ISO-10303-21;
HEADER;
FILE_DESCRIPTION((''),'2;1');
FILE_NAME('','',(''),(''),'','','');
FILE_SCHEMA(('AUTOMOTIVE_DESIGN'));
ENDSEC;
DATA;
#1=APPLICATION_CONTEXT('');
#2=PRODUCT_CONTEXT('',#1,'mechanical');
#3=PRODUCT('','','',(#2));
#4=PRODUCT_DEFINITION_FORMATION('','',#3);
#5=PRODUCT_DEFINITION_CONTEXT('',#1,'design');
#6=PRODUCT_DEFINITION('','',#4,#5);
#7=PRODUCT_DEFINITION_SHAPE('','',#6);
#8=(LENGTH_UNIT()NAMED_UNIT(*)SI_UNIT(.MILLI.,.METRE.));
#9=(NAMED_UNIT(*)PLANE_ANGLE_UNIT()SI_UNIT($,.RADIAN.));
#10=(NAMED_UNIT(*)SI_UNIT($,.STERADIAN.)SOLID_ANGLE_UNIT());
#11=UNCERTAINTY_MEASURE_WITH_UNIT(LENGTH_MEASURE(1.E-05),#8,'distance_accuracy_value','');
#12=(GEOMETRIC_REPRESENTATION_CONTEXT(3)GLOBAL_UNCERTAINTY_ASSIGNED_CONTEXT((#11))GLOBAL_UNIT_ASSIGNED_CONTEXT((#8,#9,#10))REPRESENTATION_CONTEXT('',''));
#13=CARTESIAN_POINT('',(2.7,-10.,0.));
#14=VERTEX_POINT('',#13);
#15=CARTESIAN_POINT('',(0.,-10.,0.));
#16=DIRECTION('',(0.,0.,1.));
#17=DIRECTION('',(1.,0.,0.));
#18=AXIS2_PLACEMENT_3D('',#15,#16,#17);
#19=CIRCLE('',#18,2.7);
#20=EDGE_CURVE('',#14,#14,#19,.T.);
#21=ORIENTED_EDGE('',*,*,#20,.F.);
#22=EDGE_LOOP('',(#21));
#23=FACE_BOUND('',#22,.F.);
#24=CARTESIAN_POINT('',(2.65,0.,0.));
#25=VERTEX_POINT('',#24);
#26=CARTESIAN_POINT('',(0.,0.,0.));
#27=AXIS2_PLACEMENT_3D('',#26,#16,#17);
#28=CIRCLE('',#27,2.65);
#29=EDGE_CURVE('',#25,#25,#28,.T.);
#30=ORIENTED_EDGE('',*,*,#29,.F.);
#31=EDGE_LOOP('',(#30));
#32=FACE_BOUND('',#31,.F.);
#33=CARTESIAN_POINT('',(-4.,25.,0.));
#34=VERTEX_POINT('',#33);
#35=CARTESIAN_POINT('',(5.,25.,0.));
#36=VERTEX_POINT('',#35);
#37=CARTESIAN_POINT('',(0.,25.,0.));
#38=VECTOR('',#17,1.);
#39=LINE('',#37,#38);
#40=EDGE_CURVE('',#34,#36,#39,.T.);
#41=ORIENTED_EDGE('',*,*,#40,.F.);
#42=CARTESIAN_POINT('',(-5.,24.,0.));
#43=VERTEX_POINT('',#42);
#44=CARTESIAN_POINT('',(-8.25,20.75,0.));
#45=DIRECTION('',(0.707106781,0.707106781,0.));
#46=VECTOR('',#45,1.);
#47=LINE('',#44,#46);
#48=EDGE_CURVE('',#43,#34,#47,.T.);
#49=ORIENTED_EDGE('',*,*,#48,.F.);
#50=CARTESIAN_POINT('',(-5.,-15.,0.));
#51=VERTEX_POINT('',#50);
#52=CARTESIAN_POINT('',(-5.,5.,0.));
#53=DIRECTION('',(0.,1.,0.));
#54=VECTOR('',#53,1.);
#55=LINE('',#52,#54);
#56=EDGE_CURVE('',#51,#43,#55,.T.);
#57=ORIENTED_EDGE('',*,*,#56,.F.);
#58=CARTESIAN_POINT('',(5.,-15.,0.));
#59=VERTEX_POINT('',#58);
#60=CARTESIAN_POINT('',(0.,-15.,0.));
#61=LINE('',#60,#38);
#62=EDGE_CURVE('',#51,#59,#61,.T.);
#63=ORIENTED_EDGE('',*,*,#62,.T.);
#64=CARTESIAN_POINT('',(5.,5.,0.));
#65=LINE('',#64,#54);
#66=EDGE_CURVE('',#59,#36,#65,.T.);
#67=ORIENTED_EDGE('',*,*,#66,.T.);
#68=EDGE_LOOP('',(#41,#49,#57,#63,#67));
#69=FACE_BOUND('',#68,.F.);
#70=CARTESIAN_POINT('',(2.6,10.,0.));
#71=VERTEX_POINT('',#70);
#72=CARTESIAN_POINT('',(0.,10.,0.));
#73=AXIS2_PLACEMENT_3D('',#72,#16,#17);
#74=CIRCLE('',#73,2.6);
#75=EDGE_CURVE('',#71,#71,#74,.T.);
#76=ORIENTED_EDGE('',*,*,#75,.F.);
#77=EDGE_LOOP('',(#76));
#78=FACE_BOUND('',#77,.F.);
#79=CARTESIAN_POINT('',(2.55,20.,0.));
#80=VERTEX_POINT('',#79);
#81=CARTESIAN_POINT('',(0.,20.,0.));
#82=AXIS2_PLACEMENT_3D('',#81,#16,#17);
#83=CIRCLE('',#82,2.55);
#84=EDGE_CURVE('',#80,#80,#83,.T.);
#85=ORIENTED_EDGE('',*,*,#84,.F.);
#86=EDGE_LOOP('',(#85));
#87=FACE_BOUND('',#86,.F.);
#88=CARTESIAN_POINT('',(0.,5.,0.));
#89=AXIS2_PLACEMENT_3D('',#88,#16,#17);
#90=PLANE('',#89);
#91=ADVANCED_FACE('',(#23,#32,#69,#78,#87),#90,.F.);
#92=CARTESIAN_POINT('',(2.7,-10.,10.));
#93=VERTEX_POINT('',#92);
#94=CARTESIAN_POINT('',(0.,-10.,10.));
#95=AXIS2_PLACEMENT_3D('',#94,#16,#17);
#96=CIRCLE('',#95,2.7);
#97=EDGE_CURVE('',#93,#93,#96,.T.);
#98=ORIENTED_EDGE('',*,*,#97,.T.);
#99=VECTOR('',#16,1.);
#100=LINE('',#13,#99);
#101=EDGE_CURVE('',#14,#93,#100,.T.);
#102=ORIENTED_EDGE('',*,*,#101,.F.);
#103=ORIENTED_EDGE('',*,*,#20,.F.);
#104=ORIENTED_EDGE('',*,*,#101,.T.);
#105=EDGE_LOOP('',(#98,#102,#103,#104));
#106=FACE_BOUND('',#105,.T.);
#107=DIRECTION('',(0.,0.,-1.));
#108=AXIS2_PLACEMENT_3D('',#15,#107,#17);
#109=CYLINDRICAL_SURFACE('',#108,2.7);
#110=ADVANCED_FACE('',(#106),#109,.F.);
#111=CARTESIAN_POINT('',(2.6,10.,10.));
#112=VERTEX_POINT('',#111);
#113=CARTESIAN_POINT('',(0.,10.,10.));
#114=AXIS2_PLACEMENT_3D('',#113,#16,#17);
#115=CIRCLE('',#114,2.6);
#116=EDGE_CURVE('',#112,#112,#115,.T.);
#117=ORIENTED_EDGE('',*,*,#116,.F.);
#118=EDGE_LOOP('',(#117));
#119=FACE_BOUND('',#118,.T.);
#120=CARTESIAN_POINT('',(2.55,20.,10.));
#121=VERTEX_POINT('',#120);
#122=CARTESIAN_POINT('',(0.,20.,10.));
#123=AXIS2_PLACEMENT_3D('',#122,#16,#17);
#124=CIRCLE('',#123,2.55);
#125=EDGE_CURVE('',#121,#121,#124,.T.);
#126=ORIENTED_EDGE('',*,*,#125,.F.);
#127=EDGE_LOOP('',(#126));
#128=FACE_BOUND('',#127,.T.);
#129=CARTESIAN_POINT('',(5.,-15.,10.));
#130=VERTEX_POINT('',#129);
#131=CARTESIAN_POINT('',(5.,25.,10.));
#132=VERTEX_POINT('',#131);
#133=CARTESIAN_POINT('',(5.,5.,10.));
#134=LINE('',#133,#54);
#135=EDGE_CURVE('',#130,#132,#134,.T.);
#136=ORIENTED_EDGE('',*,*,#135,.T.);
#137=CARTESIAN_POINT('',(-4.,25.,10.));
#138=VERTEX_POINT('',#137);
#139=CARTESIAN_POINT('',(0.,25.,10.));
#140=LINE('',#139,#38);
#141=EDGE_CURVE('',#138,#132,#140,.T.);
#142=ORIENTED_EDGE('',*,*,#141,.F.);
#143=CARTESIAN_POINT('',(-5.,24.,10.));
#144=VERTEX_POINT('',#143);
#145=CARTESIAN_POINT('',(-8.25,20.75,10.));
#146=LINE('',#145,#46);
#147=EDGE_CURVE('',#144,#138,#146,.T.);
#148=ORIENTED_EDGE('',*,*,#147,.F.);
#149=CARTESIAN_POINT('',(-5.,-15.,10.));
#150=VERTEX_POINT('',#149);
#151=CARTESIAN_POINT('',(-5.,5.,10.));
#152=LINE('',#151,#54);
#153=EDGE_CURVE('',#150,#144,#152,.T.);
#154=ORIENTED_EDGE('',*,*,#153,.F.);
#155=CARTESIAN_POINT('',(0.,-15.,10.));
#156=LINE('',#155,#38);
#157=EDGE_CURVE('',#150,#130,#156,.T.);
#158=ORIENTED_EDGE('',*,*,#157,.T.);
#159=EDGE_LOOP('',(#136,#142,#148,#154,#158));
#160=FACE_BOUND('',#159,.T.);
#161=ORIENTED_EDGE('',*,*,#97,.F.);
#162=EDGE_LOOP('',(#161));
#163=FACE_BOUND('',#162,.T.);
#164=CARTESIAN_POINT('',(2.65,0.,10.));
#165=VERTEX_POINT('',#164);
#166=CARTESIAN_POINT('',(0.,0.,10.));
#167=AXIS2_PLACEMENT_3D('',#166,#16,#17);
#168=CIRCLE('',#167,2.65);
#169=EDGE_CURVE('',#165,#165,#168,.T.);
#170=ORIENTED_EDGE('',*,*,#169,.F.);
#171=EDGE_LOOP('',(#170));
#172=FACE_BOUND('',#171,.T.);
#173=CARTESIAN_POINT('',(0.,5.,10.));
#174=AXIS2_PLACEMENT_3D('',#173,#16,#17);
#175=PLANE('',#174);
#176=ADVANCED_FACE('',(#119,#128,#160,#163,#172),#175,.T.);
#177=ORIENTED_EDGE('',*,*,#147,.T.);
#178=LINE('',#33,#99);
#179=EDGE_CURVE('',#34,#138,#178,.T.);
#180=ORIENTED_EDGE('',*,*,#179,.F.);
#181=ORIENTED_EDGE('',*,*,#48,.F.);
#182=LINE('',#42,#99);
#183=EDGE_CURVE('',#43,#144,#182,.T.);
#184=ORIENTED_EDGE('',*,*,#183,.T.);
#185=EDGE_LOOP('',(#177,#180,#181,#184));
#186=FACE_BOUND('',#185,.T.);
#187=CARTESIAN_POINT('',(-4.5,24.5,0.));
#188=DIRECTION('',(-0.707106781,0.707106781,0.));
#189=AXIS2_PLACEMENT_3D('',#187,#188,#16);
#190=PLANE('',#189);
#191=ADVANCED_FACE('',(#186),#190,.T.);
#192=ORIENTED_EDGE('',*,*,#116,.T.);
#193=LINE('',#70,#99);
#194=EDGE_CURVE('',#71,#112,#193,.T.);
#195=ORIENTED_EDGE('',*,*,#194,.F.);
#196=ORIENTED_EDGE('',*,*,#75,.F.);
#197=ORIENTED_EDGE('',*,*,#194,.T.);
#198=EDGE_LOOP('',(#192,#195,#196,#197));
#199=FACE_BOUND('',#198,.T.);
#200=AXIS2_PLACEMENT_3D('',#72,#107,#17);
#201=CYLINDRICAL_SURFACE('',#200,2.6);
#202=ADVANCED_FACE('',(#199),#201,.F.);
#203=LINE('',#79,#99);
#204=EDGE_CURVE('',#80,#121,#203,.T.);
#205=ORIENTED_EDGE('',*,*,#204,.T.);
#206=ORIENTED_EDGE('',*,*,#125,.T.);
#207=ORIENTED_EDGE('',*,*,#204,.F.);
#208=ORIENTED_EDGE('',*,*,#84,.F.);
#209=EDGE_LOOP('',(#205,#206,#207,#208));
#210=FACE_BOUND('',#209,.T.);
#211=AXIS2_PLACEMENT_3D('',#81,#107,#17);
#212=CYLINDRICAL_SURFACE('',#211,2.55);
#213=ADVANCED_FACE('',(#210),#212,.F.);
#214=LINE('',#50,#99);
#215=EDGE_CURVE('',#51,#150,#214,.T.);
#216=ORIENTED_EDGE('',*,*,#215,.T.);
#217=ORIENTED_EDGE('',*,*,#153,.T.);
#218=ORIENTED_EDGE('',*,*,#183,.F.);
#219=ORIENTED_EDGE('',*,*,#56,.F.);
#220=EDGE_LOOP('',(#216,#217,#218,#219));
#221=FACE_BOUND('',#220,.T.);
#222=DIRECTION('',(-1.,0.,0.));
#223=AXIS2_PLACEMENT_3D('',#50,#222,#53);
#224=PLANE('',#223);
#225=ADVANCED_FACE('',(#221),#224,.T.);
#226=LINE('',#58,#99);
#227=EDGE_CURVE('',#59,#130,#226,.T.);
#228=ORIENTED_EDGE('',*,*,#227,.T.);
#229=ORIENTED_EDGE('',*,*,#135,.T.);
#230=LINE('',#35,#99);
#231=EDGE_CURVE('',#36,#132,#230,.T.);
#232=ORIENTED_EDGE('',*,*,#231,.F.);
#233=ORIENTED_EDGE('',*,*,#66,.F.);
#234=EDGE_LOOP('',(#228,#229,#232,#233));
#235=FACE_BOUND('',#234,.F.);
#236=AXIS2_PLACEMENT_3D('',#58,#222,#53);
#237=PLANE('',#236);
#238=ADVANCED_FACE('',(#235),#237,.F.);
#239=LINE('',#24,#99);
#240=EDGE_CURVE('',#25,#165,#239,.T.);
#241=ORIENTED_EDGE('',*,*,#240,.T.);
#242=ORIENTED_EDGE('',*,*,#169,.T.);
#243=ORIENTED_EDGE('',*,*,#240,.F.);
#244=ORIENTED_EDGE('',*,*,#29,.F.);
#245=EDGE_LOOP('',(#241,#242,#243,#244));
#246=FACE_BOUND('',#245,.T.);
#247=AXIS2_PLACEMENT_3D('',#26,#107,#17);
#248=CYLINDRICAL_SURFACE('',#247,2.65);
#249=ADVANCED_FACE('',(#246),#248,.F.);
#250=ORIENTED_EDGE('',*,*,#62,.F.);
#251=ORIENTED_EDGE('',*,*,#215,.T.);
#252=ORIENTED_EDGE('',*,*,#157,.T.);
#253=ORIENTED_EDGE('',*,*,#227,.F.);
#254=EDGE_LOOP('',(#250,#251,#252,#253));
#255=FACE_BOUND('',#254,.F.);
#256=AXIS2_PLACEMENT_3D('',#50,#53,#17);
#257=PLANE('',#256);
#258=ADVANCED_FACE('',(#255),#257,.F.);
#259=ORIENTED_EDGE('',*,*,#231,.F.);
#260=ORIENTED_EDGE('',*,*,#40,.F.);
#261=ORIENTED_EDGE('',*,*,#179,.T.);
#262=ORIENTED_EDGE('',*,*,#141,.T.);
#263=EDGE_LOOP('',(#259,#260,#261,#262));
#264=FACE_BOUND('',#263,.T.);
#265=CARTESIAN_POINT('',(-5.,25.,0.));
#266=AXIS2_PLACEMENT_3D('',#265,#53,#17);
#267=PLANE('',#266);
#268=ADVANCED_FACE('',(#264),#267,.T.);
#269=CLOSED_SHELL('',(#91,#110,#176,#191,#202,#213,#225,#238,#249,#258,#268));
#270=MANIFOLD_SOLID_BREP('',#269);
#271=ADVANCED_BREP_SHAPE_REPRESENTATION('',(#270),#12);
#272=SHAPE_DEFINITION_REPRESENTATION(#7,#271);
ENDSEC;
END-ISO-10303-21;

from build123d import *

# Parameters (mm, degrees)
CYLINDER047_R     = 2.6
CYLINDER047_DEPTH = 10
CYLINDER049_R     = 2.7
CYLINDER049_DEPTH = 10
CYLINDER048_R     = 2.65
CYLINDER048_DEPTH = 10
CYLINDER050_R     = 2.55
CYLINDER050_DEPTH = 10
BOX023_W          = 10
BOX023_H          = 40
BOX023_DEPTH      = 10
CHAMFER029_SIZE   = 1


with BuildPart() as cylinder047:
    # Cylinder047 → Cylinder047 (new body)
    with BuildSketch(Plane(origin=(0, 10, 0), x_dir=(1, 0, 0), z_dir=(0, 0, 1))):
        Circle(CYLINDER047_R)
    extrude(amount=CYLINDER047_DEPTH)


with BuildPart() as cylinder049:
    # Cylinder049 → Cylinder049 (new body)
    with BuildSketch(Plane(origin=(0, -10, 0), x_dir=(1, 0, 0), z_dir=(0, 0, 1))):
        Circle(CYLINDER049_R)
    extrude(amount=CYLINDER049_DEPTH)


with BuildPart() as cylinder048:
    # Cylinder048 → Cylinder048 (new body)
    with BuildSketch(Plane.XY):
        Circle(CYLINDER048_R)
    extrude(amount=CYLINDER048_DEPTH)


with BuildPart() as fusion020:
    # Cylinder050 → Cylinder050 (new body)
    with BuildSketch(Plane(origin=(0, 20, 0), x_dir=(1, 0, 0), z_dir=(0, 0, 1))):
        Circle(CYLINDER050_R)
    extrude(amount=CYLINDER050_DEPTH)

    # Fusion020: union Cylinder047, Cylinder049, Cylinder048
    add(cylinder047.part)
    add(cylinder049.part)
    add(cylinder048.part)


with BuildPart() as cut038:
    # Box023 → Box023 (new body)
    with BuildSketch(Plane(origin=(-5, -15, 0), x_dir=(1, 0, 0), z_dir=(0, 0, 1))):
        with Locations((5, 20)):
            Rectangle(BOX023_W, BOX023_H)
    extrude(amount=BOX023_DEPTH)

    # Chamfer029
    chamfer029_edges = [cut038.edges().sort_by_distance(p)[0] for p in [
        (-5, 25, 5),
    ]]
    chamfer(chamfer029_edges, length=CHAMFER029_SIZE)

    # Cut038: cut Fusion020
    add(fusion020.part, mode=Mode.SUBTRACT)


solid = cut038.part
